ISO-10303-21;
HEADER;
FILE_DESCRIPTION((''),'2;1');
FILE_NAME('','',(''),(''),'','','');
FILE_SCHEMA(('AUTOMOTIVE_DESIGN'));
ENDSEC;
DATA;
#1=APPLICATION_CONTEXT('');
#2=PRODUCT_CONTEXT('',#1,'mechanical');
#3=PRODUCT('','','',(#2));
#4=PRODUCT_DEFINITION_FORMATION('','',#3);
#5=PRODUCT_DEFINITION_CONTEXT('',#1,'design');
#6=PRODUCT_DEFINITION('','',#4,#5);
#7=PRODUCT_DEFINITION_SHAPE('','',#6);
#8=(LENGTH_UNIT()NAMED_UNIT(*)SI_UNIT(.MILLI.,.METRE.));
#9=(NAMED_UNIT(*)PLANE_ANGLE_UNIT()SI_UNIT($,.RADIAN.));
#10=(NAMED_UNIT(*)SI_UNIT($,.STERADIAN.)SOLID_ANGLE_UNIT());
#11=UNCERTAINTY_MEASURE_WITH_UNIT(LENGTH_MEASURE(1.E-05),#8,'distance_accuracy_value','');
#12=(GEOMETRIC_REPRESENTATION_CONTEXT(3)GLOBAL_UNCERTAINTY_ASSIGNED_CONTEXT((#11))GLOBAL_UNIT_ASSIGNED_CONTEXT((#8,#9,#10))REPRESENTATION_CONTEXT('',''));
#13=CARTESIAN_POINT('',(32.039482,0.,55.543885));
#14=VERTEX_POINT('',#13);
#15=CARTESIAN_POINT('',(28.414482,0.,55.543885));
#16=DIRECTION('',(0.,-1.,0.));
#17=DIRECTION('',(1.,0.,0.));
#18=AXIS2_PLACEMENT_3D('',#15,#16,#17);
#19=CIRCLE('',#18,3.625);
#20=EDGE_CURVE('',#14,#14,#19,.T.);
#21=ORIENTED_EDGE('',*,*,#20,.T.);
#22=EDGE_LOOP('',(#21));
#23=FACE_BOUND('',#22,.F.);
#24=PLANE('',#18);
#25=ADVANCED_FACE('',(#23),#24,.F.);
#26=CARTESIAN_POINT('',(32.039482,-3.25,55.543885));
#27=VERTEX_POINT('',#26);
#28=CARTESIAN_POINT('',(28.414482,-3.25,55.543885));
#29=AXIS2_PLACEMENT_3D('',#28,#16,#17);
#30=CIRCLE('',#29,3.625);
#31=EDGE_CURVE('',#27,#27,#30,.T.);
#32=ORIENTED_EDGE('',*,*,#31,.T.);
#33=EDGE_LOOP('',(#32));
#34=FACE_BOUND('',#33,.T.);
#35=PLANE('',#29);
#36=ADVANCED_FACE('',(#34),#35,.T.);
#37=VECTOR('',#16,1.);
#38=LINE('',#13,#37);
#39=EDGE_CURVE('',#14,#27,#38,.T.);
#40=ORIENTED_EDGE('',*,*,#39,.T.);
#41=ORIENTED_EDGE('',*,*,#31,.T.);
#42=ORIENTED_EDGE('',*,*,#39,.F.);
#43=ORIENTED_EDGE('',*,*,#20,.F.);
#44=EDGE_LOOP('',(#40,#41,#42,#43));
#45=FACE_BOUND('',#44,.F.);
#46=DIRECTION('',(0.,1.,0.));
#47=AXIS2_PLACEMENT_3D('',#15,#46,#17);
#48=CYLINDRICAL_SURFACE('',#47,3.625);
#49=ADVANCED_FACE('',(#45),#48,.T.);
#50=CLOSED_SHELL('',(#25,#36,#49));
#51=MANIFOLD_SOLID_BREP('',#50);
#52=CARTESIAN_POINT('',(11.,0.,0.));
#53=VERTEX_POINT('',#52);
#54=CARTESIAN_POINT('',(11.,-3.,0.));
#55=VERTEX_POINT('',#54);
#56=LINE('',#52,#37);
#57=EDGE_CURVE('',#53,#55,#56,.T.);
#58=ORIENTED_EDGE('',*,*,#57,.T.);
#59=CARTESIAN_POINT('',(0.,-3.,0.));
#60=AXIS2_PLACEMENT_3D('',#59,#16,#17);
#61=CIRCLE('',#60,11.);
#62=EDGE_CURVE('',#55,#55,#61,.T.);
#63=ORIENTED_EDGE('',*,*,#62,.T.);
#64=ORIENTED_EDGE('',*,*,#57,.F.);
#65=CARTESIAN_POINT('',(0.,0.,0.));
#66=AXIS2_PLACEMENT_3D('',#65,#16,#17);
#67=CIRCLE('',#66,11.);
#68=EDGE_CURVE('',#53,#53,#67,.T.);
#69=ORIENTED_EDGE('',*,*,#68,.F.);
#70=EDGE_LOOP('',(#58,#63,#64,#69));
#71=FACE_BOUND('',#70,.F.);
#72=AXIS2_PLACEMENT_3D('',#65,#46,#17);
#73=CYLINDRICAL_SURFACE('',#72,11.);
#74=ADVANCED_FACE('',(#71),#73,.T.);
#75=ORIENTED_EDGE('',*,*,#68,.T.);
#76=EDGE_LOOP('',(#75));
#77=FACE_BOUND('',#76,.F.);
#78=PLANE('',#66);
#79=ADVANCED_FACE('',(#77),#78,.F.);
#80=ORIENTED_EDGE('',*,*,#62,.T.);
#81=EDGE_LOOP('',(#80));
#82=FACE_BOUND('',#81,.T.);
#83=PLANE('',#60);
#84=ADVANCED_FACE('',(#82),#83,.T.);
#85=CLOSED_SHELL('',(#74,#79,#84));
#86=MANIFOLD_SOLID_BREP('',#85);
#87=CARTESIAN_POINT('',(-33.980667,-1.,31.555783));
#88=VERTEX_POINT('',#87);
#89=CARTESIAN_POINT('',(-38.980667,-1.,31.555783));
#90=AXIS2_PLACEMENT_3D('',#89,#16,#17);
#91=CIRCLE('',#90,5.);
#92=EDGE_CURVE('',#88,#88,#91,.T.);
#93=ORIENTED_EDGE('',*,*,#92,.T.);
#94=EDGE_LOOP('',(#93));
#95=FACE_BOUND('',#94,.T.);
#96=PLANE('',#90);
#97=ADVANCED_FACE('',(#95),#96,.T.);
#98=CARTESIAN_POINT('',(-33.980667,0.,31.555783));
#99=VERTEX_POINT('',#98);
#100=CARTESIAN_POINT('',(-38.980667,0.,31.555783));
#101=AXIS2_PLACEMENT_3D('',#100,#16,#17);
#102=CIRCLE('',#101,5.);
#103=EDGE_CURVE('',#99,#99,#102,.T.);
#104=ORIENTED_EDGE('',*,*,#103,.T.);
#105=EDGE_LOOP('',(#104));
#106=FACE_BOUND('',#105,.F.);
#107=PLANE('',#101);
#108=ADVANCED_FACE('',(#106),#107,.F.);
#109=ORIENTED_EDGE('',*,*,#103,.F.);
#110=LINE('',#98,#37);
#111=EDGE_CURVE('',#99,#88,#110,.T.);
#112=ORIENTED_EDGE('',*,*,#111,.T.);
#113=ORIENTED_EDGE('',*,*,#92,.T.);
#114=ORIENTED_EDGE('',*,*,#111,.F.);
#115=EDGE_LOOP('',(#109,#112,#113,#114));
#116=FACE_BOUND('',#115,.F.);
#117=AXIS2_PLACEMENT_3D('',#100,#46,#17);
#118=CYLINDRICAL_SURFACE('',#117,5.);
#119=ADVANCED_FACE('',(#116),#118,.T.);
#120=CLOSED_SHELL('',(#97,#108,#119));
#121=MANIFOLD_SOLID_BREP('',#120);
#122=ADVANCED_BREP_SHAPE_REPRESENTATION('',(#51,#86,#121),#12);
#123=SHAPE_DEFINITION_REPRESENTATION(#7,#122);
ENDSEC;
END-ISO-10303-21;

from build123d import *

# Parameters (mm, degrees)
F0_R     = 11
F1_DEPTH = 3
F0_R_2   = 5
F2_DEPTH = 1
F0_R_3   = 3.625
F3_DEPTH = 3.25


with BuildPart() as f1:
    # F0 (on Front) → F1 (new body)
    with BuildSketch(Plane.XZ):
        Circle(F0_R)
    extrude(amount=F1_DEPTH)


with BuildPart() as f2:
    # F0 (on Front) → F2 (new body)
    with BuildSketch(Plane.XZ):
        with Locations((-38.980667, 31.555783)):
            Circle(F0_R_2)
    extrude(amount=F2_DEPTH)


with BuildPart() as f3:
    # F0 (on Front) → F3 (new body)
    with BuildSketch(Plane.XZ):
        with Locations((28.414482, 55.543885)):
            Circle(F0_R_3)
    extrude(amount=F3_DEPTH)


solid = Compound([f1.part, f2.part, f3.part])
